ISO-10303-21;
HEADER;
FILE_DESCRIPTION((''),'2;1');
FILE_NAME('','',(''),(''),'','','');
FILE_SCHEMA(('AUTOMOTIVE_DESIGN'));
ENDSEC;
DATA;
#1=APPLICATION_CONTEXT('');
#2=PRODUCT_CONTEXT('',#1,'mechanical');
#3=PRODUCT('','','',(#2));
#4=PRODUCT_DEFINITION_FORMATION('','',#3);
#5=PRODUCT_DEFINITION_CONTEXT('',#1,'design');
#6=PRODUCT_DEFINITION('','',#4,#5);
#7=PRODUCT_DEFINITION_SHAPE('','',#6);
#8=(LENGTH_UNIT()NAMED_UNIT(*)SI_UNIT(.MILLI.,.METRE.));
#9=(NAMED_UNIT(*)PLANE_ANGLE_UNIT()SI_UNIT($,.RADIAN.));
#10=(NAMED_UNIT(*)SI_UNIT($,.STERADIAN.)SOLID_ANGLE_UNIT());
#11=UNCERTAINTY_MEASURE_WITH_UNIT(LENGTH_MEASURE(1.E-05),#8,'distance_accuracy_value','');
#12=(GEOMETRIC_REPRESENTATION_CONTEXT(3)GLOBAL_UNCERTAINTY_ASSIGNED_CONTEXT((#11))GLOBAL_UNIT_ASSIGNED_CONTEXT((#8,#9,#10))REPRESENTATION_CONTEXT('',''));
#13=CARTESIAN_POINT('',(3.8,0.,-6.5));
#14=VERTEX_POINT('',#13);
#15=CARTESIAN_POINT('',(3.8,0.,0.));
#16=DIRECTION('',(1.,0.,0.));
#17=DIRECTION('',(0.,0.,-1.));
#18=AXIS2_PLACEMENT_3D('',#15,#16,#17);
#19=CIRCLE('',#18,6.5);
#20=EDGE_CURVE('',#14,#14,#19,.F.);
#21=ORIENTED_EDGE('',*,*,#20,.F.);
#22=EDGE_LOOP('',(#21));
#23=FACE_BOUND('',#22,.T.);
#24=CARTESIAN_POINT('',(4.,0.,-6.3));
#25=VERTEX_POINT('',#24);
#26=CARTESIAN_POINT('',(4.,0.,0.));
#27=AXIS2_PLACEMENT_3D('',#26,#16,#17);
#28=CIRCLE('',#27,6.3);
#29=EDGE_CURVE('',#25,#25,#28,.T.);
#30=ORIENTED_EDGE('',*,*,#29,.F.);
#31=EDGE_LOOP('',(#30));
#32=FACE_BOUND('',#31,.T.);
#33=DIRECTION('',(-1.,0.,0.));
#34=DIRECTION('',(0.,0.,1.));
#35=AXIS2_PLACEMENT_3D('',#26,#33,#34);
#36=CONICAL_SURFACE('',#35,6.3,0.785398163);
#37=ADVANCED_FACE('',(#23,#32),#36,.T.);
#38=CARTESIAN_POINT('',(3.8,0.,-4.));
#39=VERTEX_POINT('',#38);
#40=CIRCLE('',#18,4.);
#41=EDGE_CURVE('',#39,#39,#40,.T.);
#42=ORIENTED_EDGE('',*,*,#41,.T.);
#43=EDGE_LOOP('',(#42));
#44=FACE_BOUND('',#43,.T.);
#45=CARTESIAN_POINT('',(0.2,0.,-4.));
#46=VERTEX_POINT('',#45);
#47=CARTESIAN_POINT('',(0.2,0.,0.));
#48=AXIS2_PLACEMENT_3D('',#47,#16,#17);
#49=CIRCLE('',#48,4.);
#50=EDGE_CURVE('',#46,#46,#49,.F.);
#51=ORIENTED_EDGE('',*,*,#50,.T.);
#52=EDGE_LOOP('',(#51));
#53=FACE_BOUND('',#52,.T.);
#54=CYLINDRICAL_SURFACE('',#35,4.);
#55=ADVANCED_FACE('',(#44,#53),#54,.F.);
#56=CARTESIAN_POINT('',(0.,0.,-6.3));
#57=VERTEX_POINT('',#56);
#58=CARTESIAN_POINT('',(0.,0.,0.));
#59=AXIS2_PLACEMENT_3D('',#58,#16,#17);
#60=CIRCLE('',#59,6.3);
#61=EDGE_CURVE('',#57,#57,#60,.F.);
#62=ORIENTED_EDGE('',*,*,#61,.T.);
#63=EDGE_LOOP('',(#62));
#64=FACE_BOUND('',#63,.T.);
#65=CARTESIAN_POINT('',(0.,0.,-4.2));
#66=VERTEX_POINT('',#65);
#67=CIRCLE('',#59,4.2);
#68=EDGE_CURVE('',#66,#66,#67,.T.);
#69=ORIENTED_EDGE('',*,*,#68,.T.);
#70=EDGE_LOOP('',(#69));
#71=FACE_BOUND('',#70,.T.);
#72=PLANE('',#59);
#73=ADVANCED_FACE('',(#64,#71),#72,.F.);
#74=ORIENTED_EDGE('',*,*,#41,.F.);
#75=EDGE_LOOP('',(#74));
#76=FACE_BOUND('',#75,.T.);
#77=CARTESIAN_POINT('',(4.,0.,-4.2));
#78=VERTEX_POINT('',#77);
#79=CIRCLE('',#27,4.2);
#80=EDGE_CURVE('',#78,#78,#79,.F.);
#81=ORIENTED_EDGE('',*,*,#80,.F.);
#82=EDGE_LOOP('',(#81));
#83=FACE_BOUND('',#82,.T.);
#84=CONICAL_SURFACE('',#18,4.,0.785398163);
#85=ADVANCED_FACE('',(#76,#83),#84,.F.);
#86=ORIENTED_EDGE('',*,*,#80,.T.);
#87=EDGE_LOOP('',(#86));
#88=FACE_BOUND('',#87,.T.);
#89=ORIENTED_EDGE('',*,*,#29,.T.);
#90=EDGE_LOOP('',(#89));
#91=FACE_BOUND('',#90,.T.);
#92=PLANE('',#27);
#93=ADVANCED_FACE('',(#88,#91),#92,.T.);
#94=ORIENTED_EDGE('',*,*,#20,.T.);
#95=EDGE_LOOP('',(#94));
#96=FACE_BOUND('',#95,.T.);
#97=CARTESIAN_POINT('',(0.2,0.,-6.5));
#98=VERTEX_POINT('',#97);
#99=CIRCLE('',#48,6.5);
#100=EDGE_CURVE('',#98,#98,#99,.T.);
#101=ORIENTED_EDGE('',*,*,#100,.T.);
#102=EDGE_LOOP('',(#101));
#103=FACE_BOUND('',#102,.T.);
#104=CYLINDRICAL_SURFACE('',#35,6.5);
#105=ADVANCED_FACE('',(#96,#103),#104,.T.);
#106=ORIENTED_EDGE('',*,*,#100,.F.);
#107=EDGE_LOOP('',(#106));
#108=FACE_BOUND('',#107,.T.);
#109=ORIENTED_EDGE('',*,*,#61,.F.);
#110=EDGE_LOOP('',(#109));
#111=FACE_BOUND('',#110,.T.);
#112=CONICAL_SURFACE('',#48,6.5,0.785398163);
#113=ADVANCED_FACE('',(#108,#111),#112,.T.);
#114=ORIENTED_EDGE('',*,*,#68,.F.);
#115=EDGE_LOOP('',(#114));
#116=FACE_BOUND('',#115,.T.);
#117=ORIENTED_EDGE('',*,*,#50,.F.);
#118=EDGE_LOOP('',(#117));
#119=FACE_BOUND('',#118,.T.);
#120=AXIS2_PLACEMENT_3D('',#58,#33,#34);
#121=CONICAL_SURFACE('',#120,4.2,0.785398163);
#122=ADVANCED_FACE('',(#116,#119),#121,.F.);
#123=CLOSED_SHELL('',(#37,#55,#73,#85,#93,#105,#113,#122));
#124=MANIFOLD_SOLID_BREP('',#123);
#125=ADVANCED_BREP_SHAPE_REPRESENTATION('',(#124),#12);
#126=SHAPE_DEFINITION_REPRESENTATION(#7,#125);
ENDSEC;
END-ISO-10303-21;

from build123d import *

# Parameters (mm, degrees)
SKETCH1_R           = 6.5
SKETCH1_R_2         = 4
BOSS_EXTRUDE1_DEPTH = 4
CHAMFER1_SIZE       = 0.2


with BuildPart() as part:
    # Sketch1 → Boss-Extrude1 (new body)
    with BuildSketch(Plane(origin=(0, 0, 0), x_dir=(0, 0, -1), z_dir=(1, 0, 0))):
        Circle(SKETCH1_R)
        Circle(SKETCH1_R_2, mode=Mode.SUBTRACT)
    extrude(amount=BOSS_EXTRUDE1_DEPTH)

    # Chamfer1
    chamfer1_edges = [part.edges().sort_by_distance(p)[0] for p in [
        (0, 0, 6.5),
        (4, 0, 6.5),
        (0, 0, 4),
        (4, 0, 4),
    ]]
    chamfer(chamfer1_edges, length=CHAMFER1_SIZE)


solid = part.part
